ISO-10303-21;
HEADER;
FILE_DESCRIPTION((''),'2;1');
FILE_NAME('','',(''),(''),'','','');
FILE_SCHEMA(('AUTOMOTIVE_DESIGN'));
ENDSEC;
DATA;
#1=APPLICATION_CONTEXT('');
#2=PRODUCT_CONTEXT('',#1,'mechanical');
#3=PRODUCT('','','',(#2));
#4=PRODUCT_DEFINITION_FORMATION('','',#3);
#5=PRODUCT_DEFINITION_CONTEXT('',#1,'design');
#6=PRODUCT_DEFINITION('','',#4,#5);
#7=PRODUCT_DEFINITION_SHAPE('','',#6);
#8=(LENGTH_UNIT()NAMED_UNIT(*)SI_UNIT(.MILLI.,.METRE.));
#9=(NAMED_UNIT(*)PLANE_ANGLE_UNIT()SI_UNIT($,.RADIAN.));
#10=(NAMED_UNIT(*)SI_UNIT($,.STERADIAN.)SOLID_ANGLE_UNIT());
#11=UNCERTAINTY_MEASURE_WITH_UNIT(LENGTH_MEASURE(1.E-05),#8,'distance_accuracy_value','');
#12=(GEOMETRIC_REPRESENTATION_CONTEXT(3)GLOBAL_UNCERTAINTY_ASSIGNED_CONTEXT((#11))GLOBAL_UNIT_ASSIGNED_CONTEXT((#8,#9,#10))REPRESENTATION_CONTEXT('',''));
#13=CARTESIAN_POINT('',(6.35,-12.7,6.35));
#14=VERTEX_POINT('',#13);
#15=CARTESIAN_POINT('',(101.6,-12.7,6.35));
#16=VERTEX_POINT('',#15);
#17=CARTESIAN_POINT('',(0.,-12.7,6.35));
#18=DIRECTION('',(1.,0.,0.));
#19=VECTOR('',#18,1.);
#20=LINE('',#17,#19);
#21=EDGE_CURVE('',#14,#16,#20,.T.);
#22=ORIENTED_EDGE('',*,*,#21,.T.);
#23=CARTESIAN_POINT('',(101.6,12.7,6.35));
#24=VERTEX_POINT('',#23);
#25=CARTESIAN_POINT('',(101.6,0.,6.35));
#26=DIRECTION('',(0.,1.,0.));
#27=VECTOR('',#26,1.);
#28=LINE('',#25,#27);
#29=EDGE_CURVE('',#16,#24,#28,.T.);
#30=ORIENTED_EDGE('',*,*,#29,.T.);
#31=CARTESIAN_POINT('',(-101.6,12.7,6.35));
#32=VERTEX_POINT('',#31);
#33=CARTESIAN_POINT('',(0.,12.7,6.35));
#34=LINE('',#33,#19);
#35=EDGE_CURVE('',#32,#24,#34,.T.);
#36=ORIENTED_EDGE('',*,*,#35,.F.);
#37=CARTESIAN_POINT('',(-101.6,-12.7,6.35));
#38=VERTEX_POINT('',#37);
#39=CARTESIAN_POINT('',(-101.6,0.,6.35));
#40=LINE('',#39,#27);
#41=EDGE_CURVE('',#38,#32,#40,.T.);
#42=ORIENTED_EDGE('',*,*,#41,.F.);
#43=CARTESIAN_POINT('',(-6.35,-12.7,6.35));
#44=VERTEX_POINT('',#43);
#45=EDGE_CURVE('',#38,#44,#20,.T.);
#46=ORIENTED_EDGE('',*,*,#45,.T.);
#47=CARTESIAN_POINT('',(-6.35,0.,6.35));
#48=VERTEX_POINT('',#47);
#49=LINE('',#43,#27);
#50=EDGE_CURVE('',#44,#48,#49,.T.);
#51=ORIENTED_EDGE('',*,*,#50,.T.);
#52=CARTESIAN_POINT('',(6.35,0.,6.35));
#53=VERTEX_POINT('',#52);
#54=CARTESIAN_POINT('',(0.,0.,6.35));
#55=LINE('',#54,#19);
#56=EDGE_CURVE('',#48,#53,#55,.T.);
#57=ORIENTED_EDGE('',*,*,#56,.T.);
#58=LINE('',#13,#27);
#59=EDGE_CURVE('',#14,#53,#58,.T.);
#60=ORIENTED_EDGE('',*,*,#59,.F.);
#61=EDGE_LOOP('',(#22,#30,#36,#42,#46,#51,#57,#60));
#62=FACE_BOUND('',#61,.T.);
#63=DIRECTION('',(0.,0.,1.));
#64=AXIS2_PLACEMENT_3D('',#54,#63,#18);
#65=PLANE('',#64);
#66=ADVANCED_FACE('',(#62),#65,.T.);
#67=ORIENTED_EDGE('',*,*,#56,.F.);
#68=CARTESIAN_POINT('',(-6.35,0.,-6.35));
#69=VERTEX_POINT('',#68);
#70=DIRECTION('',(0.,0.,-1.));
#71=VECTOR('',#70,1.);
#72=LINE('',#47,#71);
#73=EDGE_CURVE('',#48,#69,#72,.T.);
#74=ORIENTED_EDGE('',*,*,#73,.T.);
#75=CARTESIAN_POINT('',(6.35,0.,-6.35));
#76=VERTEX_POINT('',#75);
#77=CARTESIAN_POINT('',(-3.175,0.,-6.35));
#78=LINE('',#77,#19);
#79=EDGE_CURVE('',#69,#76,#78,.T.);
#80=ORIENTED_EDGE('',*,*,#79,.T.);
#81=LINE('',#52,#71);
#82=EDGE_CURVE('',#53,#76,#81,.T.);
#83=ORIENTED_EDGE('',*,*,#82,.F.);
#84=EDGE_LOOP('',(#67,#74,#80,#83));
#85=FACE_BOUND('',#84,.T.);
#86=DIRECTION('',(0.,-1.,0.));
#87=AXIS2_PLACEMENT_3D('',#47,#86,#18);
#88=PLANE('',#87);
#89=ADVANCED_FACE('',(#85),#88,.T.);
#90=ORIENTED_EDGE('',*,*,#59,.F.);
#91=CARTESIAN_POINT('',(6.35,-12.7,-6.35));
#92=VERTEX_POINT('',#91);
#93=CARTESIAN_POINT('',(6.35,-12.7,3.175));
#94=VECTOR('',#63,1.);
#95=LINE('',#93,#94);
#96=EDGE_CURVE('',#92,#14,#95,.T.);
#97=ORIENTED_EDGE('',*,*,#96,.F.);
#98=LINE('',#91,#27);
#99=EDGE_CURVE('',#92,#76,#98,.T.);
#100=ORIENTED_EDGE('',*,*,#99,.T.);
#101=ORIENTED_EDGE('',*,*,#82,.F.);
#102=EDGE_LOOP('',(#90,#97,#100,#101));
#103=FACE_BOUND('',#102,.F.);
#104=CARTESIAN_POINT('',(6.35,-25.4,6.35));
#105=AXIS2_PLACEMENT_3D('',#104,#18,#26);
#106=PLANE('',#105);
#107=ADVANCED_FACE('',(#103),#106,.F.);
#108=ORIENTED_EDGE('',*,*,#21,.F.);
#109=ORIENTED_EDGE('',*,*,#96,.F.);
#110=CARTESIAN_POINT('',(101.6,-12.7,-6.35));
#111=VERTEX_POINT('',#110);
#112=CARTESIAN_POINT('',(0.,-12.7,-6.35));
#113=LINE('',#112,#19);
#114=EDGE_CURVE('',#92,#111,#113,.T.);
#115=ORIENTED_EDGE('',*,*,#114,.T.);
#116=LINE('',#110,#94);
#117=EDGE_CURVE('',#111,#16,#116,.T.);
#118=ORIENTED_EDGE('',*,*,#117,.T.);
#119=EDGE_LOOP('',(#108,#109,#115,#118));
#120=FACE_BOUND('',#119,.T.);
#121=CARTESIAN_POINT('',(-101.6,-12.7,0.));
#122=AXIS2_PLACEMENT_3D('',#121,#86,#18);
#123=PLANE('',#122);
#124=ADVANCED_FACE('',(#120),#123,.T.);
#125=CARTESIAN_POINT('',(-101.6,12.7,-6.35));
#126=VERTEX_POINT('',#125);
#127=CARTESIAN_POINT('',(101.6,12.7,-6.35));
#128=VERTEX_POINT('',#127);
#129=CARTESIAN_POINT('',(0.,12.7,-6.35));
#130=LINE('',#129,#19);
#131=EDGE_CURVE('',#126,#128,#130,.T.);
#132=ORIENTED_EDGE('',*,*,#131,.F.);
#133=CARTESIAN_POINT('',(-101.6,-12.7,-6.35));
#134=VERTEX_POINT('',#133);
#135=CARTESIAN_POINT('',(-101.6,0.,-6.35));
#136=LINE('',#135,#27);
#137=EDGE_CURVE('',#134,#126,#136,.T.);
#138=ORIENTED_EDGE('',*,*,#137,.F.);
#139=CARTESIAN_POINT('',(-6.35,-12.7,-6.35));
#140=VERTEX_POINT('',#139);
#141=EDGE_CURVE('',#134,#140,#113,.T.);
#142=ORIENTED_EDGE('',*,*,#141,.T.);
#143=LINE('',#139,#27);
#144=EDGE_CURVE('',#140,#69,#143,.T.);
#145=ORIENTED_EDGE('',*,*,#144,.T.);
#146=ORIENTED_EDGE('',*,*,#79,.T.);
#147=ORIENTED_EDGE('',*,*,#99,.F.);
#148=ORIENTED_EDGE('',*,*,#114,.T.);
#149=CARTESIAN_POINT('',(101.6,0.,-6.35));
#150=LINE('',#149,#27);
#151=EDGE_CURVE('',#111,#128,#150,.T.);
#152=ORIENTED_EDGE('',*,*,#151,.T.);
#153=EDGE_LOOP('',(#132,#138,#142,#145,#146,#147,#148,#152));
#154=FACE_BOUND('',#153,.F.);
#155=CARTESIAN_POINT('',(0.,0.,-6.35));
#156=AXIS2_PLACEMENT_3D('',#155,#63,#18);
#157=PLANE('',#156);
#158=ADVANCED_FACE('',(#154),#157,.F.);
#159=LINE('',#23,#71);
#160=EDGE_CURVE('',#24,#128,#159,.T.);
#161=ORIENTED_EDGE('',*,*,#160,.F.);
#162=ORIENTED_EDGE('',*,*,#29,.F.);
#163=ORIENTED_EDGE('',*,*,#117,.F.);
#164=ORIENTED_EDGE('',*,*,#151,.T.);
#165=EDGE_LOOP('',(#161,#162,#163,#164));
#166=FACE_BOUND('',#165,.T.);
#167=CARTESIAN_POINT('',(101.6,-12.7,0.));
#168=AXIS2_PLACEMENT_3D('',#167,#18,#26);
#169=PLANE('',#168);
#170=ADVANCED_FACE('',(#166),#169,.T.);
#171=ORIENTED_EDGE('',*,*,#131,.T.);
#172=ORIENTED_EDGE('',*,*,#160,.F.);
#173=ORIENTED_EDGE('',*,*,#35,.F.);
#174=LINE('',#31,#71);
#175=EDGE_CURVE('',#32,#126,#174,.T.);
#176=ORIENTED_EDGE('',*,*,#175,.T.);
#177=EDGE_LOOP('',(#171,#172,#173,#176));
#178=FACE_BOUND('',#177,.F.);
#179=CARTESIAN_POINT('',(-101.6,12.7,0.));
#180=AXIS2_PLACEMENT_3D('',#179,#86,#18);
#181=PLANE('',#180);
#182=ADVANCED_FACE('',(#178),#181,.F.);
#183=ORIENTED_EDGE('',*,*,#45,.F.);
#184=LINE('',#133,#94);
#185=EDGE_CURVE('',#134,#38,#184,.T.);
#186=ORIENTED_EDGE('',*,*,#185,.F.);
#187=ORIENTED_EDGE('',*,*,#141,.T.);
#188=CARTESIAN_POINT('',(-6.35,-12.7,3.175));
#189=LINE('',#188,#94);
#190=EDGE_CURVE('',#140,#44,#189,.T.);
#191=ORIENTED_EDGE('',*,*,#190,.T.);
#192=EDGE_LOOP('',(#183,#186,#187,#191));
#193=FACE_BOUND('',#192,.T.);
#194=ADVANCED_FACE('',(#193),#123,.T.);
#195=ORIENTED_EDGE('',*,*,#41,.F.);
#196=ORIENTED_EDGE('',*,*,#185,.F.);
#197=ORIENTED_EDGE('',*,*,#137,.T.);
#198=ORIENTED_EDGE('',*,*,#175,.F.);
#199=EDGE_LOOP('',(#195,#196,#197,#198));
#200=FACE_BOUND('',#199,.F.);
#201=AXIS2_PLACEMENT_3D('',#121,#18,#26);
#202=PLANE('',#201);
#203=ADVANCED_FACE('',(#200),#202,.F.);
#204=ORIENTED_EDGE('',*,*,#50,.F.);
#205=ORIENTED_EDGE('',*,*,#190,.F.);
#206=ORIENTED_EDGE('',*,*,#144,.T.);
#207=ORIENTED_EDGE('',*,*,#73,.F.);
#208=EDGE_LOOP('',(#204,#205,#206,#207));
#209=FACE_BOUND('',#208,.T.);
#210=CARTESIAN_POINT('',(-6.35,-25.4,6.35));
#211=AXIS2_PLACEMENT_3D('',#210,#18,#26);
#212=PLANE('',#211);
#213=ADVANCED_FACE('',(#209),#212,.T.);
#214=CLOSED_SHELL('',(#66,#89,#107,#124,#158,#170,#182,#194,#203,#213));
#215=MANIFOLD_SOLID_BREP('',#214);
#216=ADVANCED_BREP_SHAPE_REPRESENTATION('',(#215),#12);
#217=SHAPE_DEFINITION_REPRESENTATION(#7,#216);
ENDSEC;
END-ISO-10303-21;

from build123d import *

# Parameters (mm, degrees)
F0_W     = 203.2
F0_H     = 25.4
F1_DEPTH = 6.35
F2_W     = 12.7
F2_H     = 25.4
F3_DEPTH = 12.701


with BuildPart() as f1:
    # F0 (on Top) → F1 (new body, symmetric)
    with BuildSketch(Plane.XY):
        Rectangle(F0_W, F0_H)
    extrude(amount=F1_DEPTH, both=True)

    # F2 (on face) → F3 (cut, through all)
    with BuildSketch(Plane.XY.offset(6.35)):
        with Locations((0, -12.7)):
            Rectangle(F2_W, F2_H)
    extrude(amount=-F3_DEPTH, mode=Mode.SUBTRACT)


solid = f1.part
